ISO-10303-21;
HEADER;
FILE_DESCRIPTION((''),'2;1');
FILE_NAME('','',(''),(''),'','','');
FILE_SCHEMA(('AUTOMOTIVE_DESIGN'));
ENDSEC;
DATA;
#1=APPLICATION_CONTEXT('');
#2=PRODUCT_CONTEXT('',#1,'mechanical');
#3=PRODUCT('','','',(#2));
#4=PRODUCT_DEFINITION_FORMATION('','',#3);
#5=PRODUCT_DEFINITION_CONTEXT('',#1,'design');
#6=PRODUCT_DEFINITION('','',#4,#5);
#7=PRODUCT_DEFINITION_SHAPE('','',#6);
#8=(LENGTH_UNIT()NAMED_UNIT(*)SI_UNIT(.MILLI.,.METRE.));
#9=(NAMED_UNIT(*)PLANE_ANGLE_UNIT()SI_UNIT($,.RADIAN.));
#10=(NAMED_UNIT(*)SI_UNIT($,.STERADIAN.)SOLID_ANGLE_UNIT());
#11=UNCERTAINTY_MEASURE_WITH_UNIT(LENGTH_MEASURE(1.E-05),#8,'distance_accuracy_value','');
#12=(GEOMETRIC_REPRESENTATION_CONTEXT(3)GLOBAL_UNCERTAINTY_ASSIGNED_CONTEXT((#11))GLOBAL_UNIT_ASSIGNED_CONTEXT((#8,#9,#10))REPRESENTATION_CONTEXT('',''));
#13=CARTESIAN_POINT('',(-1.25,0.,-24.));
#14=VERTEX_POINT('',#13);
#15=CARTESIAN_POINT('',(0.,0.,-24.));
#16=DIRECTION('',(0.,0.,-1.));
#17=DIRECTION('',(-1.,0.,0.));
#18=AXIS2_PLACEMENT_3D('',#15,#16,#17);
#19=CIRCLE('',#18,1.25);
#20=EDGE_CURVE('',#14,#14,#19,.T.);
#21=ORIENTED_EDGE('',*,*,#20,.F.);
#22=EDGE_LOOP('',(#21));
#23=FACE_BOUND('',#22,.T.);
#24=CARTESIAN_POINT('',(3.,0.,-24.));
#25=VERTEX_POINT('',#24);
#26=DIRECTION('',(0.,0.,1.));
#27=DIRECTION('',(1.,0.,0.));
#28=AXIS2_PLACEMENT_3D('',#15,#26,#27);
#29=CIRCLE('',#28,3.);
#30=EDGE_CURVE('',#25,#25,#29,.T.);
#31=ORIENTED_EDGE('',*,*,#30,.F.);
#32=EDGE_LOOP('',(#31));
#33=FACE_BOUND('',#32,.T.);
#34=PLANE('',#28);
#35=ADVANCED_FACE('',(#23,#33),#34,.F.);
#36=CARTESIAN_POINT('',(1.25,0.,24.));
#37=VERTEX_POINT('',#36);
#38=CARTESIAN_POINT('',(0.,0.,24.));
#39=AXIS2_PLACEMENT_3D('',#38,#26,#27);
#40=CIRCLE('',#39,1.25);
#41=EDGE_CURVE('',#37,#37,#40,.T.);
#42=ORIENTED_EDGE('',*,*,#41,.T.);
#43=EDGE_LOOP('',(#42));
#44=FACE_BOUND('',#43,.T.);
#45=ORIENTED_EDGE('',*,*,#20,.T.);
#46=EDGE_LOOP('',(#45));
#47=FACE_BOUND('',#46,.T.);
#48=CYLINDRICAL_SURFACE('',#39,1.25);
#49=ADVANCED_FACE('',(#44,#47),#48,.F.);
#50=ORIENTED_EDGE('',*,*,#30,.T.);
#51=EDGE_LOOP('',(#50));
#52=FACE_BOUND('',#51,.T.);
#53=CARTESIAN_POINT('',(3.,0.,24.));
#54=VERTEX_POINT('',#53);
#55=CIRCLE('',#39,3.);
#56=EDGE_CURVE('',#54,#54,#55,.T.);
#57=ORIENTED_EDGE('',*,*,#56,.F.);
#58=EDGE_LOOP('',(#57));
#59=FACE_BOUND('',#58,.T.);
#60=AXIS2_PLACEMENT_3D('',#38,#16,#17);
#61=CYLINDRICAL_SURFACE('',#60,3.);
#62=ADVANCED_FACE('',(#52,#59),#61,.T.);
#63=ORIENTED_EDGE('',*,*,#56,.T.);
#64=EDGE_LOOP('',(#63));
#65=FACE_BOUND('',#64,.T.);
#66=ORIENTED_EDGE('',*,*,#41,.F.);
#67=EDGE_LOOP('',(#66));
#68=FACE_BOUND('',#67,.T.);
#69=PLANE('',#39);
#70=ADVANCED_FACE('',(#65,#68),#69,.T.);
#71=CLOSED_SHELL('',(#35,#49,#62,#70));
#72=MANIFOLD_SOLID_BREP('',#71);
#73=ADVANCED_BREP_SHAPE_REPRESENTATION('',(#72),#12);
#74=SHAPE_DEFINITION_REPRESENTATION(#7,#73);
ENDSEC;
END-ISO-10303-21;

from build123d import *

# Parameters (mm, degrees)
SKETCH1_R                 = 3
BOSS_EXTRUDE1_DEPTH       = 24
M3X0_5_TAPPED_HOLE1_D     = 2.5
M3X0_5_TAPPED_HOLE1_DEPTH = 24


with BuildPart() as part:
    # Sketch1 → Boss-Extrude1 (new, symmetric)
    with BuildSketch(Plane.XY):
        Circle(SKETCH1_R)
    extrude(amount=BOSS_EXTRUDE1_DEPTH, both=True)

    # M3x0.5 Tapped Hole1
    with Locations(Plane.XY.offset(24)):
        with Locations((0, 0)):
            m3x0_5_tapped_hole1 = Hole(M3X0_5_TAPPED_HOLE1_D / 2, depth=M3X0_5_TAPPED_HOLE1_DEPTH)

    # Mirror1: M3x0.5 Tapped Hole1 across plane
    add(m3x0_5_tapped_hole1.mirror(Plane.XY), mode=Mode.SUBTRACT)


solid = part.part
